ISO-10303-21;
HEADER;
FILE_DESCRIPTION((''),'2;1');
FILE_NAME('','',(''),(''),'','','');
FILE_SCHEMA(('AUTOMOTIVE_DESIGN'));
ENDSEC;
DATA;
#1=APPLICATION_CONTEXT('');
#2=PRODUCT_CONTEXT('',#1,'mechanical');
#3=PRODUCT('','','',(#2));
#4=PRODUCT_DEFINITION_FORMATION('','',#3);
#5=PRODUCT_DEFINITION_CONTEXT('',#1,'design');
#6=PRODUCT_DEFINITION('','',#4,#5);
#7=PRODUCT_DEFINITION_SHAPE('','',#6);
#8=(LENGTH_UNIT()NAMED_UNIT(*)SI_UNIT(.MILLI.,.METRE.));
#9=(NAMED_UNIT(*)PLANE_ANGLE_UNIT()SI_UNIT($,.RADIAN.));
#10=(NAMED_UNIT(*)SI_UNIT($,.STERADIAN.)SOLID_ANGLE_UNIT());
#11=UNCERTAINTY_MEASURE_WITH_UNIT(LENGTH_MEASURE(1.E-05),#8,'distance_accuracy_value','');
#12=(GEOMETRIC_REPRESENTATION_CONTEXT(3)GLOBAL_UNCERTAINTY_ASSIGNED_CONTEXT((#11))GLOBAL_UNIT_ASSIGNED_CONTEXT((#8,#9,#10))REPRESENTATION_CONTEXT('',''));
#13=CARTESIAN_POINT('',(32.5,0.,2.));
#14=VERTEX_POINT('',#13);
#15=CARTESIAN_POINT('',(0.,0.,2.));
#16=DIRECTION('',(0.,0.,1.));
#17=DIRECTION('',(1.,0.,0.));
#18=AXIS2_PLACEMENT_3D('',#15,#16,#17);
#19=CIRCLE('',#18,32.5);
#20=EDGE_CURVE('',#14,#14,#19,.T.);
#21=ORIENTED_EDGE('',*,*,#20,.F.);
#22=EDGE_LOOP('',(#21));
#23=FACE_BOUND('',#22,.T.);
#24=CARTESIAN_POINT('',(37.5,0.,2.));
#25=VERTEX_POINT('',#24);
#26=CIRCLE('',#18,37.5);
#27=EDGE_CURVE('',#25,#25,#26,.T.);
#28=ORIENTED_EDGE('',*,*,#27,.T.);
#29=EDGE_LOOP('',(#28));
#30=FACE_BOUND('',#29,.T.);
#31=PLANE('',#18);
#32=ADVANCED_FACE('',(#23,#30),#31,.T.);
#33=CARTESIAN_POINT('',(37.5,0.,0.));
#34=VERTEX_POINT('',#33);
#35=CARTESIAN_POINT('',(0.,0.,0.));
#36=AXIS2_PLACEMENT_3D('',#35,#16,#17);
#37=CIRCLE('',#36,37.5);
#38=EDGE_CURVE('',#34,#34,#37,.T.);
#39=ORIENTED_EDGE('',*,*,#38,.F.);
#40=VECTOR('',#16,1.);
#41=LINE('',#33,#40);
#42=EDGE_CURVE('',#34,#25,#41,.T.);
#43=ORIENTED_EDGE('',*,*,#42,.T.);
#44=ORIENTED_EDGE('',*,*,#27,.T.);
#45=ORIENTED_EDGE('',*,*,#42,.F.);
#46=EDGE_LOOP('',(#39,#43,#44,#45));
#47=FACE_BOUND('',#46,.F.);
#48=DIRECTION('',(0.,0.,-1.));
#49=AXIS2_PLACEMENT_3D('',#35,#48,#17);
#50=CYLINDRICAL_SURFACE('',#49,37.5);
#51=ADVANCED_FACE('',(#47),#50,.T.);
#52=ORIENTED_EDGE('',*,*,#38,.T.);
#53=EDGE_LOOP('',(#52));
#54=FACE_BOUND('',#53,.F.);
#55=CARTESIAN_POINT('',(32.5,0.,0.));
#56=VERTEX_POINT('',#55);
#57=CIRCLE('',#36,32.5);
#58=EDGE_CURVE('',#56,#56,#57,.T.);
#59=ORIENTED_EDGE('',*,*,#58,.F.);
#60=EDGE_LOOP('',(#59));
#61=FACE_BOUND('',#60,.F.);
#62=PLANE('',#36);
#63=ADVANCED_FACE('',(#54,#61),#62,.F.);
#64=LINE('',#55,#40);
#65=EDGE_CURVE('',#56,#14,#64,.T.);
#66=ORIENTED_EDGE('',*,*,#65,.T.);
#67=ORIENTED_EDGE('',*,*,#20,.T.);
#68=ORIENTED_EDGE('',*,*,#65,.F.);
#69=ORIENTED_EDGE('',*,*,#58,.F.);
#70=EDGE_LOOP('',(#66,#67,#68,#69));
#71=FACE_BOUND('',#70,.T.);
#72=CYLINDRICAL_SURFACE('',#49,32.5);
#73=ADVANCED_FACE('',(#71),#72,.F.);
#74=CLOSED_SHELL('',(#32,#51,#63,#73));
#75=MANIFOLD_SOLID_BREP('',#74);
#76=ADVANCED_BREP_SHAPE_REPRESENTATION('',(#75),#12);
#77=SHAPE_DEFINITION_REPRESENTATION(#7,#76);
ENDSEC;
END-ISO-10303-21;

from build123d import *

# Parameters (mm, degrees)
SKETCH_R   = 37.5
SKETCH_R_2 = 32.5
PAD_DEPTH  = 2


with BuildPart() as part:
    # Sketch → Pad (new body)
    with BuildSketch(Plane.XY):
        Circle(SKETCH_R)
        Circle(SKETCH_R_2, mode=Mode.SUBTRACT)
    extrude(amount=PAD_DEPTH)


solid = part.part
